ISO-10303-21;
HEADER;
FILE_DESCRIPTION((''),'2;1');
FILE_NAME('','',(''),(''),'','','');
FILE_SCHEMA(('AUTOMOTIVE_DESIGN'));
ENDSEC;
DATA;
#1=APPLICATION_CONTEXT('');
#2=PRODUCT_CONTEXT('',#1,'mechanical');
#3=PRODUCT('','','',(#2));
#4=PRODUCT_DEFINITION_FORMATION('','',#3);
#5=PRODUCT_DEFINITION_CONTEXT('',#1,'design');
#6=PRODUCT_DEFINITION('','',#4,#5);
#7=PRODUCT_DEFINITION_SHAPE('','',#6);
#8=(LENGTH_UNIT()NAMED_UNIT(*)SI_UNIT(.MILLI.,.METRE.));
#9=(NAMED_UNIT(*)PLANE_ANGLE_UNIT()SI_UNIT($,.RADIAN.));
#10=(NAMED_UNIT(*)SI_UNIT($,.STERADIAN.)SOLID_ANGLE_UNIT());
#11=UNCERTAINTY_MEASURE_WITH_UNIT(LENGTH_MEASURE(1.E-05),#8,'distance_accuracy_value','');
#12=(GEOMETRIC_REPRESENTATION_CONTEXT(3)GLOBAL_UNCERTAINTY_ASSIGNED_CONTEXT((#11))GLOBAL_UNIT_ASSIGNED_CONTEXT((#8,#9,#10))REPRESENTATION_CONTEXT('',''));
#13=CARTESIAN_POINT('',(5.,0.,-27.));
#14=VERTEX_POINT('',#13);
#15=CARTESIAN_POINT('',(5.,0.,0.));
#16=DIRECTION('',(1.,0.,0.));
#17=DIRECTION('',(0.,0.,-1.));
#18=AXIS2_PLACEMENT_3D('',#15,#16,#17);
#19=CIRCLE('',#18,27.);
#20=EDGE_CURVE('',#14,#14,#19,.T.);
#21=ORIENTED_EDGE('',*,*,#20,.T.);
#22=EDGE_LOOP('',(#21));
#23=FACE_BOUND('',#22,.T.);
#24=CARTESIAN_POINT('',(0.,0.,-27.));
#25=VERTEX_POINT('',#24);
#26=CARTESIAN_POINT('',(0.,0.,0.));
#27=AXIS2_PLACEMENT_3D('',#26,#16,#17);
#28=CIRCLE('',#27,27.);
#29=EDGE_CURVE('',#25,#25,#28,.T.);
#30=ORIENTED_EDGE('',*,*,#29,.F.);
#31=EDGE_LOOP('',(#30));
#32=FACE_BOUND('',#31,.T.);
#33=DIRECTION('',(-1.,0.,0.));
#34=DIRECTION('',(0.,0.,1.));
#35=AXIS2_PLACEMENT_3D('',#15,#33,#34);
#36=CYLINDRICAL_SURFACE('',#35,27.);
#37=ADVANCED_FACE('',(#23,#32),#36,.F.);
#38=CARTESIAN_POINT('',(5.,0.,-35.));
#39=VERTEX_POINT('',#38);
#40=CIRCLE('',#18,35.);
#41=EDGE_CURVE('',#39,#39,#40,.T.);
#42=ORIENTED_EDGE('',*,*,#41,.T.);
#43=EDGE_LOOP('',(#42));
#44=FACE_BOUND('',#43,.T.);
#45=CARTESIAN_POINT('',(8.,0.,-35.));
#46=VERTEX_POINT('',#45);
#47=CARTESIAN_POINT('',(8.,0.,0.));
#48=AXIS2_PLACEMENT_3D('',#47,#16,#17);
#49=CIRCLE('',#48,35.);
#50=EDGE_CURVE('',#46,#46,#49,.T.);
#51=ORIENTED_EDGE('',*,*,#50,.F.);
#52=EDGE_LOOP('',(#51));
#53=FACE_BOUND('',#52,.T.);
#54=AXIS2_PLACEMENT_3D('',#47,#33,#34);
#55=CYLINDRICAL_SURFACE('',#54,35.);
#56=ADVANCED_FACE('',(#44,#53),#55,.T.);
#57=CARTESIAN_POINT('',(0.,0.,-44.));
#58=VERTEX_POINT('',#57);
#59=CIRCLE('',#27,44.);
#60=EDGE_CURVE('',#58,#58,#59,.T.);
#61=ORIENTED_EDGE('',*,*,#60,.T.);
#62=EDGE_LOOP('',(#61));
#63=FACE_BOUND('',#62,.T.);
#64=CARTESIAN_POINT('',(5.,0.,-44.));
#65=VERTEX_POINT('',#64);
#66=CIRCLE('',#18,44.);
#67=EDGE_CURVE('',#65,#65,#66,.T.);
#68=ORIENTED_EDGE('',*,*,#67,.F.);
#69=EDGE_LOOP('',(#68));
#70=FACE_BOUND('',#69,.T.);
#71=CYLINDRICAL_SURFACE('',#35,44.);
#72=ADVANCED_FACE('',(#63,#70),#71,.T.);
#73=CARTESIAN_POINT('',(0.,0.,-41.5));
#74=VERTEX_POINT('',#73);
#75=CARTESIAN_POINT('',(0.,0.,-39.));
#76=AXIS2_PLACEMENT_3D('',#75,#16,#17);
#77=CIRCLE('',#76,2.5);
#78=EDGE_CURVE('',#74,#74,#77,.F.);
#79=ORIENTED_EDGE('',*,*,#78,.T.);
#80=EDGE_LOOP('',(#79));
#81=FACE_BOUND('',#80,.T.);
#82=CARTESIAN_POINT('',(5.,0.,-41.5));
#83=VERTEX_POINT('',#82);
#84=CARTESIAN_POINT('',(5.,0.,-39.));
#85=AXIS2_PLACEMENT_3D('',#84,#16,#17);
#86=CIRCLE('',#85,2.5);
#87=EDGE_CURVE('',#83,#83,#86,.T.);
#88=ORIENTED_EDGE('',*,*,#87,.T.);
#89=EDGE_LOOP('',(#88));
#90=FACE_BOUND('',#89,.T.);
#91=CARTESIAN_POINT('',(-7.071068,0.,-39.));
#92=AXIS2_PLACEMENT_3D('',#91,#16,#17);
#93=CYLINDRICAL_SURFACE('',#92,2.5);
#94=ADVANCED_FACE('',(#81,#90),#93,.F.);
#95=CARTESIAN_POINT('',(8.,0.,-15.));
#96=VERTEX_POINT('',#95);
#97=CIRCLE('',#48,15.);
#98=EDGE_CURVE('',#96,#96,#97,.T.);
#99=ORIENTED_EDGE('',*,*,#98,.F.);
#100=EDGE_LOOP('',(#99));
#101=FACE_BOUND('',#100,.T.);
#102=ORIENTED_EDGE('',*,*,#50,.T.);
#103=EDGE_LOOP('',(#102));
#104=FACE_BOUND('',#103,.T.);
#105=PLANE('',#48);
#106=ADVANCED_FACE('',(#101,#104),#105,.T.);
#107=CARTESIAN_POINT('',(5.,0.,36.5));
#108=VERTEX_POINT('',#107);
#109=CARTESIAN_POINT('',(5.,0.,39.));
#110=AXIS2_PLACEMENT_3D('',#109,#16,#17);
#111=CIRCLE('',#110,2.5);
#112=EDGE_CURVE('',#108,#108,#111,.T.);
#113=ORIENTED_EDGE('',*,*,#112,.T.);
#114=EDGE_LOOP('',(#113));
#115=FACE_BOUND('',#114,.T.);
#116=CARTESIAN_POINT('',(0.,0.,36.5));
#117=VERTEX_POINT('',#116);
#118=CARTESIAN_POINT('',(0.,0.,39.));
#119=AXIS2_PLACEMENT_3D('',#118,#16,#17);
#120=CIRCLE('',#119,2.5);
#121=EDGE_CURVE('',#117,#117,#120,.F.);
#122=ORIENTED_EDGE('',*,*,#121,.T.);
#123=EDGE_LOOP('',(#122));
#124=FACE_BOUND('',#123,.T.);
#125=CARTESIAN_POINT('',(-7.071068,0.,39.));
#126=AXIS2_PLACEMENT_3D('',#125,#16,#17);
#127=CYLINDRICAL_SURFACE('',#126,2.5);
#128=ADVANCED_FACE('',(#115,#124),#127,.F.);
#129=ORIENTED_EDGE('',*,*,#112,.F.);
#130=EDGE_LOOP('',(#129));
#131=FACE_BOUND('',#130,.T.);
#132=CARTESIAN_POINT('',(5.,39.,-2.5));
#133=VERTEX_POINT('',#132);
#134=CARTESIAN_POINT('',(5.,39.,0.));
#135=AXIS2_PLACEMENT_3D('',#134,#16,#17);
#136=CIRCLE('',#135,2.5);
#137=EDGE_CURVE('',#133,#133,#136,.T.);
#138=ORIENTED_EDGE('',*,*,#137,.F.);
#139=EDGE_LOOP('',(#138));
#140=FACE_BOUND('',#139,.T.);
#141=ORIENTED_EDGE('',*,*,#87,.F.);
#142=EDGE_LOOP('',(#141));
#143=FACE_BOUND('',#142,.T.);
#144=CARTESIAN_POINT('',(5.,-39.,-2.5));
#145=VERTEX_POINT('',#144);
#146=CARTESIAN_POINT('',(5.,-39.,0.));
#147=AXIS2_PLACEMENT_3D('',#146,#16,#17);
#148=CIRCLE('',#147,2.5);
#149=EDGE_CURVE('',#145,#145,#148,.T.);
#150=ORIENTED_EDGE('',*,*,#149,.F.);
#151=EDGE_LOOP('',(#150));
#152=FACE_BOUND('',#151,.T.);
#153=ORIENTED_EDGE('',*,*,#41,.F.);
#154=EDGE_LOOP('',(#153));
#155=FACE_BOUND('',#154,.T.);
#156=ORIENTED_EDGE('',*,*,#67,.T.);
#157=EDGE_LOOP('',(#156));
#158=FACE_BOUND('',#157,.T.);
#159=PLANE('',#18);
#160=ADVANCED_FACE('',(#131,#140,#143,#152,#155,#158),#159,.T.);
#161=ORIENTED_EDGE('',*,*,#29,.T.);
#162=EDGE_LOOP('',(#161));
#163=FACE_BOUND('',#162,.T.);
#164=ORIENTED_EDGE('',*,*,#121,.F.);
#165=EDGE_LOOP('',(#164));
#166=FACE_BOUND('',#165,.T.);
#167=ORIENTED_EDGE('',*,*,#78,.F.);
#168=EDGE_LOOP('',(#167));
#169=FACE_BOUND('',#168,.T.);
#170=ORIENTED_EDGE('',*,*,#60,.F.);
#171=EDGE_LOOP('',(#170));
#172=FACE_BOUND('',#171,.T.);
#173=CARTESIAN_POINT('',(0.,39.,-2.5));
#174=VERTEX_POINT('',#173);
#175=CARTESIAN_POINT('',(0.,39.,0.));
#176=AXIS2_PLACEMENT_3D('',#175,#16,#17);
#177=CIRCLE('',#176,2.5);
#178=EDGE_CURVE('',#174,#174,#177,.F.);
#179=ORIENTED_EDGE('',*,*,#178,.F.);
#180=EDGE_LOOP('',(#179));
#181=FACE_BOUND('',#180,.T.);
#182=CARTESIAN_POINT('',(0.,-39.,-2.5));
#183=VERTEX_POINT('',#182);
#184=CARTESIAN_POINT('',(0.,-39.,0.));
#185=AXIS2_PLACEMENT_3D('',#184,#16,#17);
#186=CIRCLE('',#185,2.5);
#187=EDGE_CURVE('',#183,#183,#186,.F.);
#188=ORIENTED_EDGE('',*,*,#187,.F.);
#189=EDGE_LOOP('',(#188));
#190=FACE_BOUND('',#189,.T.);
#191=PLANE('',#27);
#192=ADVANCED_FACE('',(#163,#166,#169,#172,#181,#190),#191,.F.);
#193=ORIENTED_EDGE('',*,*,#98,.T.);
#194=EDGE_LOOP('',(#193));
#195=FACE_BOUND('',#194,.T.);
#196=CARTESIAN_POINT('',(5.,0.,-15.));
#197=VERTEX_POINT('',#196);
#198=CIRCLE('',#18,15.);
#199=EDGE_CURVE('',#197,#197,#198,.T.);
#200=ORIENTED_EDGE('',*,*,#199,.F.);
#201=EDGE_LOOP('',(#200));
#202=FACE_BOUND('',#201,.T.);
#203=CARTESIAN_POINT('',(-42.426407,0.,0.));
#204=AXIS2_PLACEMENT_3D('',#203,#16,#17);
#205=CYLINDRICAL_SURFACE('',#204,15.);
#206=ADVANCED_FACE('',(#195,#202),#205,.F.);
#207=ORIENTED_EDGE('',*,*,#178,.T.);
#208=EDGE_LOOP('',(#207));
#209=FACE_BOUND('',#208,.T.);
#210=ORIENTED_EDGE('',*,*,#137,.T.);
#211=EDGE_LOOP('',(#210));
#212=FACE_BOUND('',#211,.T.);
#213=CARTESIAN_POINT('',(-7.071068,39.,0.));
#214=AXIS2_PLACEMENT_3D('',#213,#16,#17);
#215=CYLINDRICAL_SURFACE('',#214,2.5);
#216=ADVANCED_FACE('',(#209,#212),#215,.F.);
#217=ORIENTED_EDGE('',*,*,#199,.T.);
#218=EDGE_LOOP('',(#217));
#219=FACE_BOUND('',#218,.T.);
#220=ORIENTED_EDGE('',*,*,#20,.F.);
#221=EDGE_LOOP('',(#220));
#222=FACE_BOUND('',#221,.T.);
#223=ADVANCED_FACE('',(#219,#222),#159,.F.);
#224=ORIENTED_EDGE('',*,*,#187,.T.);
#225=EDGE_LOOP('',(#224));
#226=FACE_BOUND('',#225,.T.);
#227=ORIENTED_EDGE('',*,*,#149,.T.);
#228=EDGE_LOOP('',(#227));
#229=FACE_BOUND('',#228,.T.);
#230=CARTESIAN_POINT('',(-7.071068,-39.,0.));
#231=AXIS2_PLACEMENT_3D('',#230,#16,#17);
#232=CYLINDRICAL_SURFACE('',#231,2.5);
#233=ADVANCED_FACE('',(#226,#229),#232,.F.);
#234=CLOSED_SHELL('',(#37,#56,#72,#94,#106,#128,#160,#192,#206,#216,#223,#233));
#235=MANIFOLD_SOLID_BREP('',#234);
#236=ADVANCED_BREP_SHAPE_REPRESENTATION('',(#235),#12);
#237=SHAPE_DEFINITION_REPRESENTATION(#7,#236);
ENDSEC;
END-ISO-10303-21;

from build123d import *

# Parameters (mm, degrees)
SKETCH_1_R          = 44
SKETCH_1_R_2        = 27
EXTRUDE_1_DEPTH     = 5
SKETCH_2_R          = 35
EXTRUDE_2_DEPTH     = 3
SKETCH_3_R          = 2.5
CUT_EXTRUDE_1_DEPTH = 5
SKETCH_4_R          = 15
CUT_EXTRUDE_2_DEPTH = 8


with BuildPart() as part:
    # 草图1 → 凸台-拉伸1 (new body)
    with BuildSketch(Plane(origin=(0, 0, 0), x_dir=(0, 0, -1), z_dir=(1, 0, 0))):
        Circle(SKETCH_1_R)
        Circle(SKETCH_1_R_2, mode=Mode.SUBTRACT)
    extrude(amount=EXTRUDE_1_DEPTH)

    # 草图2 → 凸台-拉伸2 (add)
    with BuildSketch(Plane(origin=(5, 0, 0), x_dir=(0, 0, -1), z_dir=(1, 0, 0))):
        Circle(SKETCH_2_R)
    extrude(amount=EXTRUDE_2_DEPTH)

    # 草图3 → 切除-拉伸1 (cut)
    with BuildSketch(Plane(origin=(5, 0, 0), x_dir=(0, 0, -1), z_dir=(1, 0, 0))):
        with Locations((0, 39)):
            Circle(SKETCH_3_R)
        with Locations((39, 0)):
            Circle(SKETCH_3_R)
        with Locations((0, -39)):
            Circle(SKETCH_3_R)
        with Locations((-39, 0)):
            Circle(SKETCH_3_R)
    extrude(amount=-CUT_EXTRUDE_1_DEPTH, mode=Mode.SUBTRACT)

    # 草图4 → 切除-拉伸2 (cut)
    with BuildSketch(Plane(origin=(8, 0, 0), x_dir=(0, 0, -1), z_dir=(1, 0, 0))):
        Circle(SKETCH_4_R)
    extrude(amount=-CUT_EXTRUDE_2_DEPTH, mode=Mode.SUBTRACT)


solid = part.part
